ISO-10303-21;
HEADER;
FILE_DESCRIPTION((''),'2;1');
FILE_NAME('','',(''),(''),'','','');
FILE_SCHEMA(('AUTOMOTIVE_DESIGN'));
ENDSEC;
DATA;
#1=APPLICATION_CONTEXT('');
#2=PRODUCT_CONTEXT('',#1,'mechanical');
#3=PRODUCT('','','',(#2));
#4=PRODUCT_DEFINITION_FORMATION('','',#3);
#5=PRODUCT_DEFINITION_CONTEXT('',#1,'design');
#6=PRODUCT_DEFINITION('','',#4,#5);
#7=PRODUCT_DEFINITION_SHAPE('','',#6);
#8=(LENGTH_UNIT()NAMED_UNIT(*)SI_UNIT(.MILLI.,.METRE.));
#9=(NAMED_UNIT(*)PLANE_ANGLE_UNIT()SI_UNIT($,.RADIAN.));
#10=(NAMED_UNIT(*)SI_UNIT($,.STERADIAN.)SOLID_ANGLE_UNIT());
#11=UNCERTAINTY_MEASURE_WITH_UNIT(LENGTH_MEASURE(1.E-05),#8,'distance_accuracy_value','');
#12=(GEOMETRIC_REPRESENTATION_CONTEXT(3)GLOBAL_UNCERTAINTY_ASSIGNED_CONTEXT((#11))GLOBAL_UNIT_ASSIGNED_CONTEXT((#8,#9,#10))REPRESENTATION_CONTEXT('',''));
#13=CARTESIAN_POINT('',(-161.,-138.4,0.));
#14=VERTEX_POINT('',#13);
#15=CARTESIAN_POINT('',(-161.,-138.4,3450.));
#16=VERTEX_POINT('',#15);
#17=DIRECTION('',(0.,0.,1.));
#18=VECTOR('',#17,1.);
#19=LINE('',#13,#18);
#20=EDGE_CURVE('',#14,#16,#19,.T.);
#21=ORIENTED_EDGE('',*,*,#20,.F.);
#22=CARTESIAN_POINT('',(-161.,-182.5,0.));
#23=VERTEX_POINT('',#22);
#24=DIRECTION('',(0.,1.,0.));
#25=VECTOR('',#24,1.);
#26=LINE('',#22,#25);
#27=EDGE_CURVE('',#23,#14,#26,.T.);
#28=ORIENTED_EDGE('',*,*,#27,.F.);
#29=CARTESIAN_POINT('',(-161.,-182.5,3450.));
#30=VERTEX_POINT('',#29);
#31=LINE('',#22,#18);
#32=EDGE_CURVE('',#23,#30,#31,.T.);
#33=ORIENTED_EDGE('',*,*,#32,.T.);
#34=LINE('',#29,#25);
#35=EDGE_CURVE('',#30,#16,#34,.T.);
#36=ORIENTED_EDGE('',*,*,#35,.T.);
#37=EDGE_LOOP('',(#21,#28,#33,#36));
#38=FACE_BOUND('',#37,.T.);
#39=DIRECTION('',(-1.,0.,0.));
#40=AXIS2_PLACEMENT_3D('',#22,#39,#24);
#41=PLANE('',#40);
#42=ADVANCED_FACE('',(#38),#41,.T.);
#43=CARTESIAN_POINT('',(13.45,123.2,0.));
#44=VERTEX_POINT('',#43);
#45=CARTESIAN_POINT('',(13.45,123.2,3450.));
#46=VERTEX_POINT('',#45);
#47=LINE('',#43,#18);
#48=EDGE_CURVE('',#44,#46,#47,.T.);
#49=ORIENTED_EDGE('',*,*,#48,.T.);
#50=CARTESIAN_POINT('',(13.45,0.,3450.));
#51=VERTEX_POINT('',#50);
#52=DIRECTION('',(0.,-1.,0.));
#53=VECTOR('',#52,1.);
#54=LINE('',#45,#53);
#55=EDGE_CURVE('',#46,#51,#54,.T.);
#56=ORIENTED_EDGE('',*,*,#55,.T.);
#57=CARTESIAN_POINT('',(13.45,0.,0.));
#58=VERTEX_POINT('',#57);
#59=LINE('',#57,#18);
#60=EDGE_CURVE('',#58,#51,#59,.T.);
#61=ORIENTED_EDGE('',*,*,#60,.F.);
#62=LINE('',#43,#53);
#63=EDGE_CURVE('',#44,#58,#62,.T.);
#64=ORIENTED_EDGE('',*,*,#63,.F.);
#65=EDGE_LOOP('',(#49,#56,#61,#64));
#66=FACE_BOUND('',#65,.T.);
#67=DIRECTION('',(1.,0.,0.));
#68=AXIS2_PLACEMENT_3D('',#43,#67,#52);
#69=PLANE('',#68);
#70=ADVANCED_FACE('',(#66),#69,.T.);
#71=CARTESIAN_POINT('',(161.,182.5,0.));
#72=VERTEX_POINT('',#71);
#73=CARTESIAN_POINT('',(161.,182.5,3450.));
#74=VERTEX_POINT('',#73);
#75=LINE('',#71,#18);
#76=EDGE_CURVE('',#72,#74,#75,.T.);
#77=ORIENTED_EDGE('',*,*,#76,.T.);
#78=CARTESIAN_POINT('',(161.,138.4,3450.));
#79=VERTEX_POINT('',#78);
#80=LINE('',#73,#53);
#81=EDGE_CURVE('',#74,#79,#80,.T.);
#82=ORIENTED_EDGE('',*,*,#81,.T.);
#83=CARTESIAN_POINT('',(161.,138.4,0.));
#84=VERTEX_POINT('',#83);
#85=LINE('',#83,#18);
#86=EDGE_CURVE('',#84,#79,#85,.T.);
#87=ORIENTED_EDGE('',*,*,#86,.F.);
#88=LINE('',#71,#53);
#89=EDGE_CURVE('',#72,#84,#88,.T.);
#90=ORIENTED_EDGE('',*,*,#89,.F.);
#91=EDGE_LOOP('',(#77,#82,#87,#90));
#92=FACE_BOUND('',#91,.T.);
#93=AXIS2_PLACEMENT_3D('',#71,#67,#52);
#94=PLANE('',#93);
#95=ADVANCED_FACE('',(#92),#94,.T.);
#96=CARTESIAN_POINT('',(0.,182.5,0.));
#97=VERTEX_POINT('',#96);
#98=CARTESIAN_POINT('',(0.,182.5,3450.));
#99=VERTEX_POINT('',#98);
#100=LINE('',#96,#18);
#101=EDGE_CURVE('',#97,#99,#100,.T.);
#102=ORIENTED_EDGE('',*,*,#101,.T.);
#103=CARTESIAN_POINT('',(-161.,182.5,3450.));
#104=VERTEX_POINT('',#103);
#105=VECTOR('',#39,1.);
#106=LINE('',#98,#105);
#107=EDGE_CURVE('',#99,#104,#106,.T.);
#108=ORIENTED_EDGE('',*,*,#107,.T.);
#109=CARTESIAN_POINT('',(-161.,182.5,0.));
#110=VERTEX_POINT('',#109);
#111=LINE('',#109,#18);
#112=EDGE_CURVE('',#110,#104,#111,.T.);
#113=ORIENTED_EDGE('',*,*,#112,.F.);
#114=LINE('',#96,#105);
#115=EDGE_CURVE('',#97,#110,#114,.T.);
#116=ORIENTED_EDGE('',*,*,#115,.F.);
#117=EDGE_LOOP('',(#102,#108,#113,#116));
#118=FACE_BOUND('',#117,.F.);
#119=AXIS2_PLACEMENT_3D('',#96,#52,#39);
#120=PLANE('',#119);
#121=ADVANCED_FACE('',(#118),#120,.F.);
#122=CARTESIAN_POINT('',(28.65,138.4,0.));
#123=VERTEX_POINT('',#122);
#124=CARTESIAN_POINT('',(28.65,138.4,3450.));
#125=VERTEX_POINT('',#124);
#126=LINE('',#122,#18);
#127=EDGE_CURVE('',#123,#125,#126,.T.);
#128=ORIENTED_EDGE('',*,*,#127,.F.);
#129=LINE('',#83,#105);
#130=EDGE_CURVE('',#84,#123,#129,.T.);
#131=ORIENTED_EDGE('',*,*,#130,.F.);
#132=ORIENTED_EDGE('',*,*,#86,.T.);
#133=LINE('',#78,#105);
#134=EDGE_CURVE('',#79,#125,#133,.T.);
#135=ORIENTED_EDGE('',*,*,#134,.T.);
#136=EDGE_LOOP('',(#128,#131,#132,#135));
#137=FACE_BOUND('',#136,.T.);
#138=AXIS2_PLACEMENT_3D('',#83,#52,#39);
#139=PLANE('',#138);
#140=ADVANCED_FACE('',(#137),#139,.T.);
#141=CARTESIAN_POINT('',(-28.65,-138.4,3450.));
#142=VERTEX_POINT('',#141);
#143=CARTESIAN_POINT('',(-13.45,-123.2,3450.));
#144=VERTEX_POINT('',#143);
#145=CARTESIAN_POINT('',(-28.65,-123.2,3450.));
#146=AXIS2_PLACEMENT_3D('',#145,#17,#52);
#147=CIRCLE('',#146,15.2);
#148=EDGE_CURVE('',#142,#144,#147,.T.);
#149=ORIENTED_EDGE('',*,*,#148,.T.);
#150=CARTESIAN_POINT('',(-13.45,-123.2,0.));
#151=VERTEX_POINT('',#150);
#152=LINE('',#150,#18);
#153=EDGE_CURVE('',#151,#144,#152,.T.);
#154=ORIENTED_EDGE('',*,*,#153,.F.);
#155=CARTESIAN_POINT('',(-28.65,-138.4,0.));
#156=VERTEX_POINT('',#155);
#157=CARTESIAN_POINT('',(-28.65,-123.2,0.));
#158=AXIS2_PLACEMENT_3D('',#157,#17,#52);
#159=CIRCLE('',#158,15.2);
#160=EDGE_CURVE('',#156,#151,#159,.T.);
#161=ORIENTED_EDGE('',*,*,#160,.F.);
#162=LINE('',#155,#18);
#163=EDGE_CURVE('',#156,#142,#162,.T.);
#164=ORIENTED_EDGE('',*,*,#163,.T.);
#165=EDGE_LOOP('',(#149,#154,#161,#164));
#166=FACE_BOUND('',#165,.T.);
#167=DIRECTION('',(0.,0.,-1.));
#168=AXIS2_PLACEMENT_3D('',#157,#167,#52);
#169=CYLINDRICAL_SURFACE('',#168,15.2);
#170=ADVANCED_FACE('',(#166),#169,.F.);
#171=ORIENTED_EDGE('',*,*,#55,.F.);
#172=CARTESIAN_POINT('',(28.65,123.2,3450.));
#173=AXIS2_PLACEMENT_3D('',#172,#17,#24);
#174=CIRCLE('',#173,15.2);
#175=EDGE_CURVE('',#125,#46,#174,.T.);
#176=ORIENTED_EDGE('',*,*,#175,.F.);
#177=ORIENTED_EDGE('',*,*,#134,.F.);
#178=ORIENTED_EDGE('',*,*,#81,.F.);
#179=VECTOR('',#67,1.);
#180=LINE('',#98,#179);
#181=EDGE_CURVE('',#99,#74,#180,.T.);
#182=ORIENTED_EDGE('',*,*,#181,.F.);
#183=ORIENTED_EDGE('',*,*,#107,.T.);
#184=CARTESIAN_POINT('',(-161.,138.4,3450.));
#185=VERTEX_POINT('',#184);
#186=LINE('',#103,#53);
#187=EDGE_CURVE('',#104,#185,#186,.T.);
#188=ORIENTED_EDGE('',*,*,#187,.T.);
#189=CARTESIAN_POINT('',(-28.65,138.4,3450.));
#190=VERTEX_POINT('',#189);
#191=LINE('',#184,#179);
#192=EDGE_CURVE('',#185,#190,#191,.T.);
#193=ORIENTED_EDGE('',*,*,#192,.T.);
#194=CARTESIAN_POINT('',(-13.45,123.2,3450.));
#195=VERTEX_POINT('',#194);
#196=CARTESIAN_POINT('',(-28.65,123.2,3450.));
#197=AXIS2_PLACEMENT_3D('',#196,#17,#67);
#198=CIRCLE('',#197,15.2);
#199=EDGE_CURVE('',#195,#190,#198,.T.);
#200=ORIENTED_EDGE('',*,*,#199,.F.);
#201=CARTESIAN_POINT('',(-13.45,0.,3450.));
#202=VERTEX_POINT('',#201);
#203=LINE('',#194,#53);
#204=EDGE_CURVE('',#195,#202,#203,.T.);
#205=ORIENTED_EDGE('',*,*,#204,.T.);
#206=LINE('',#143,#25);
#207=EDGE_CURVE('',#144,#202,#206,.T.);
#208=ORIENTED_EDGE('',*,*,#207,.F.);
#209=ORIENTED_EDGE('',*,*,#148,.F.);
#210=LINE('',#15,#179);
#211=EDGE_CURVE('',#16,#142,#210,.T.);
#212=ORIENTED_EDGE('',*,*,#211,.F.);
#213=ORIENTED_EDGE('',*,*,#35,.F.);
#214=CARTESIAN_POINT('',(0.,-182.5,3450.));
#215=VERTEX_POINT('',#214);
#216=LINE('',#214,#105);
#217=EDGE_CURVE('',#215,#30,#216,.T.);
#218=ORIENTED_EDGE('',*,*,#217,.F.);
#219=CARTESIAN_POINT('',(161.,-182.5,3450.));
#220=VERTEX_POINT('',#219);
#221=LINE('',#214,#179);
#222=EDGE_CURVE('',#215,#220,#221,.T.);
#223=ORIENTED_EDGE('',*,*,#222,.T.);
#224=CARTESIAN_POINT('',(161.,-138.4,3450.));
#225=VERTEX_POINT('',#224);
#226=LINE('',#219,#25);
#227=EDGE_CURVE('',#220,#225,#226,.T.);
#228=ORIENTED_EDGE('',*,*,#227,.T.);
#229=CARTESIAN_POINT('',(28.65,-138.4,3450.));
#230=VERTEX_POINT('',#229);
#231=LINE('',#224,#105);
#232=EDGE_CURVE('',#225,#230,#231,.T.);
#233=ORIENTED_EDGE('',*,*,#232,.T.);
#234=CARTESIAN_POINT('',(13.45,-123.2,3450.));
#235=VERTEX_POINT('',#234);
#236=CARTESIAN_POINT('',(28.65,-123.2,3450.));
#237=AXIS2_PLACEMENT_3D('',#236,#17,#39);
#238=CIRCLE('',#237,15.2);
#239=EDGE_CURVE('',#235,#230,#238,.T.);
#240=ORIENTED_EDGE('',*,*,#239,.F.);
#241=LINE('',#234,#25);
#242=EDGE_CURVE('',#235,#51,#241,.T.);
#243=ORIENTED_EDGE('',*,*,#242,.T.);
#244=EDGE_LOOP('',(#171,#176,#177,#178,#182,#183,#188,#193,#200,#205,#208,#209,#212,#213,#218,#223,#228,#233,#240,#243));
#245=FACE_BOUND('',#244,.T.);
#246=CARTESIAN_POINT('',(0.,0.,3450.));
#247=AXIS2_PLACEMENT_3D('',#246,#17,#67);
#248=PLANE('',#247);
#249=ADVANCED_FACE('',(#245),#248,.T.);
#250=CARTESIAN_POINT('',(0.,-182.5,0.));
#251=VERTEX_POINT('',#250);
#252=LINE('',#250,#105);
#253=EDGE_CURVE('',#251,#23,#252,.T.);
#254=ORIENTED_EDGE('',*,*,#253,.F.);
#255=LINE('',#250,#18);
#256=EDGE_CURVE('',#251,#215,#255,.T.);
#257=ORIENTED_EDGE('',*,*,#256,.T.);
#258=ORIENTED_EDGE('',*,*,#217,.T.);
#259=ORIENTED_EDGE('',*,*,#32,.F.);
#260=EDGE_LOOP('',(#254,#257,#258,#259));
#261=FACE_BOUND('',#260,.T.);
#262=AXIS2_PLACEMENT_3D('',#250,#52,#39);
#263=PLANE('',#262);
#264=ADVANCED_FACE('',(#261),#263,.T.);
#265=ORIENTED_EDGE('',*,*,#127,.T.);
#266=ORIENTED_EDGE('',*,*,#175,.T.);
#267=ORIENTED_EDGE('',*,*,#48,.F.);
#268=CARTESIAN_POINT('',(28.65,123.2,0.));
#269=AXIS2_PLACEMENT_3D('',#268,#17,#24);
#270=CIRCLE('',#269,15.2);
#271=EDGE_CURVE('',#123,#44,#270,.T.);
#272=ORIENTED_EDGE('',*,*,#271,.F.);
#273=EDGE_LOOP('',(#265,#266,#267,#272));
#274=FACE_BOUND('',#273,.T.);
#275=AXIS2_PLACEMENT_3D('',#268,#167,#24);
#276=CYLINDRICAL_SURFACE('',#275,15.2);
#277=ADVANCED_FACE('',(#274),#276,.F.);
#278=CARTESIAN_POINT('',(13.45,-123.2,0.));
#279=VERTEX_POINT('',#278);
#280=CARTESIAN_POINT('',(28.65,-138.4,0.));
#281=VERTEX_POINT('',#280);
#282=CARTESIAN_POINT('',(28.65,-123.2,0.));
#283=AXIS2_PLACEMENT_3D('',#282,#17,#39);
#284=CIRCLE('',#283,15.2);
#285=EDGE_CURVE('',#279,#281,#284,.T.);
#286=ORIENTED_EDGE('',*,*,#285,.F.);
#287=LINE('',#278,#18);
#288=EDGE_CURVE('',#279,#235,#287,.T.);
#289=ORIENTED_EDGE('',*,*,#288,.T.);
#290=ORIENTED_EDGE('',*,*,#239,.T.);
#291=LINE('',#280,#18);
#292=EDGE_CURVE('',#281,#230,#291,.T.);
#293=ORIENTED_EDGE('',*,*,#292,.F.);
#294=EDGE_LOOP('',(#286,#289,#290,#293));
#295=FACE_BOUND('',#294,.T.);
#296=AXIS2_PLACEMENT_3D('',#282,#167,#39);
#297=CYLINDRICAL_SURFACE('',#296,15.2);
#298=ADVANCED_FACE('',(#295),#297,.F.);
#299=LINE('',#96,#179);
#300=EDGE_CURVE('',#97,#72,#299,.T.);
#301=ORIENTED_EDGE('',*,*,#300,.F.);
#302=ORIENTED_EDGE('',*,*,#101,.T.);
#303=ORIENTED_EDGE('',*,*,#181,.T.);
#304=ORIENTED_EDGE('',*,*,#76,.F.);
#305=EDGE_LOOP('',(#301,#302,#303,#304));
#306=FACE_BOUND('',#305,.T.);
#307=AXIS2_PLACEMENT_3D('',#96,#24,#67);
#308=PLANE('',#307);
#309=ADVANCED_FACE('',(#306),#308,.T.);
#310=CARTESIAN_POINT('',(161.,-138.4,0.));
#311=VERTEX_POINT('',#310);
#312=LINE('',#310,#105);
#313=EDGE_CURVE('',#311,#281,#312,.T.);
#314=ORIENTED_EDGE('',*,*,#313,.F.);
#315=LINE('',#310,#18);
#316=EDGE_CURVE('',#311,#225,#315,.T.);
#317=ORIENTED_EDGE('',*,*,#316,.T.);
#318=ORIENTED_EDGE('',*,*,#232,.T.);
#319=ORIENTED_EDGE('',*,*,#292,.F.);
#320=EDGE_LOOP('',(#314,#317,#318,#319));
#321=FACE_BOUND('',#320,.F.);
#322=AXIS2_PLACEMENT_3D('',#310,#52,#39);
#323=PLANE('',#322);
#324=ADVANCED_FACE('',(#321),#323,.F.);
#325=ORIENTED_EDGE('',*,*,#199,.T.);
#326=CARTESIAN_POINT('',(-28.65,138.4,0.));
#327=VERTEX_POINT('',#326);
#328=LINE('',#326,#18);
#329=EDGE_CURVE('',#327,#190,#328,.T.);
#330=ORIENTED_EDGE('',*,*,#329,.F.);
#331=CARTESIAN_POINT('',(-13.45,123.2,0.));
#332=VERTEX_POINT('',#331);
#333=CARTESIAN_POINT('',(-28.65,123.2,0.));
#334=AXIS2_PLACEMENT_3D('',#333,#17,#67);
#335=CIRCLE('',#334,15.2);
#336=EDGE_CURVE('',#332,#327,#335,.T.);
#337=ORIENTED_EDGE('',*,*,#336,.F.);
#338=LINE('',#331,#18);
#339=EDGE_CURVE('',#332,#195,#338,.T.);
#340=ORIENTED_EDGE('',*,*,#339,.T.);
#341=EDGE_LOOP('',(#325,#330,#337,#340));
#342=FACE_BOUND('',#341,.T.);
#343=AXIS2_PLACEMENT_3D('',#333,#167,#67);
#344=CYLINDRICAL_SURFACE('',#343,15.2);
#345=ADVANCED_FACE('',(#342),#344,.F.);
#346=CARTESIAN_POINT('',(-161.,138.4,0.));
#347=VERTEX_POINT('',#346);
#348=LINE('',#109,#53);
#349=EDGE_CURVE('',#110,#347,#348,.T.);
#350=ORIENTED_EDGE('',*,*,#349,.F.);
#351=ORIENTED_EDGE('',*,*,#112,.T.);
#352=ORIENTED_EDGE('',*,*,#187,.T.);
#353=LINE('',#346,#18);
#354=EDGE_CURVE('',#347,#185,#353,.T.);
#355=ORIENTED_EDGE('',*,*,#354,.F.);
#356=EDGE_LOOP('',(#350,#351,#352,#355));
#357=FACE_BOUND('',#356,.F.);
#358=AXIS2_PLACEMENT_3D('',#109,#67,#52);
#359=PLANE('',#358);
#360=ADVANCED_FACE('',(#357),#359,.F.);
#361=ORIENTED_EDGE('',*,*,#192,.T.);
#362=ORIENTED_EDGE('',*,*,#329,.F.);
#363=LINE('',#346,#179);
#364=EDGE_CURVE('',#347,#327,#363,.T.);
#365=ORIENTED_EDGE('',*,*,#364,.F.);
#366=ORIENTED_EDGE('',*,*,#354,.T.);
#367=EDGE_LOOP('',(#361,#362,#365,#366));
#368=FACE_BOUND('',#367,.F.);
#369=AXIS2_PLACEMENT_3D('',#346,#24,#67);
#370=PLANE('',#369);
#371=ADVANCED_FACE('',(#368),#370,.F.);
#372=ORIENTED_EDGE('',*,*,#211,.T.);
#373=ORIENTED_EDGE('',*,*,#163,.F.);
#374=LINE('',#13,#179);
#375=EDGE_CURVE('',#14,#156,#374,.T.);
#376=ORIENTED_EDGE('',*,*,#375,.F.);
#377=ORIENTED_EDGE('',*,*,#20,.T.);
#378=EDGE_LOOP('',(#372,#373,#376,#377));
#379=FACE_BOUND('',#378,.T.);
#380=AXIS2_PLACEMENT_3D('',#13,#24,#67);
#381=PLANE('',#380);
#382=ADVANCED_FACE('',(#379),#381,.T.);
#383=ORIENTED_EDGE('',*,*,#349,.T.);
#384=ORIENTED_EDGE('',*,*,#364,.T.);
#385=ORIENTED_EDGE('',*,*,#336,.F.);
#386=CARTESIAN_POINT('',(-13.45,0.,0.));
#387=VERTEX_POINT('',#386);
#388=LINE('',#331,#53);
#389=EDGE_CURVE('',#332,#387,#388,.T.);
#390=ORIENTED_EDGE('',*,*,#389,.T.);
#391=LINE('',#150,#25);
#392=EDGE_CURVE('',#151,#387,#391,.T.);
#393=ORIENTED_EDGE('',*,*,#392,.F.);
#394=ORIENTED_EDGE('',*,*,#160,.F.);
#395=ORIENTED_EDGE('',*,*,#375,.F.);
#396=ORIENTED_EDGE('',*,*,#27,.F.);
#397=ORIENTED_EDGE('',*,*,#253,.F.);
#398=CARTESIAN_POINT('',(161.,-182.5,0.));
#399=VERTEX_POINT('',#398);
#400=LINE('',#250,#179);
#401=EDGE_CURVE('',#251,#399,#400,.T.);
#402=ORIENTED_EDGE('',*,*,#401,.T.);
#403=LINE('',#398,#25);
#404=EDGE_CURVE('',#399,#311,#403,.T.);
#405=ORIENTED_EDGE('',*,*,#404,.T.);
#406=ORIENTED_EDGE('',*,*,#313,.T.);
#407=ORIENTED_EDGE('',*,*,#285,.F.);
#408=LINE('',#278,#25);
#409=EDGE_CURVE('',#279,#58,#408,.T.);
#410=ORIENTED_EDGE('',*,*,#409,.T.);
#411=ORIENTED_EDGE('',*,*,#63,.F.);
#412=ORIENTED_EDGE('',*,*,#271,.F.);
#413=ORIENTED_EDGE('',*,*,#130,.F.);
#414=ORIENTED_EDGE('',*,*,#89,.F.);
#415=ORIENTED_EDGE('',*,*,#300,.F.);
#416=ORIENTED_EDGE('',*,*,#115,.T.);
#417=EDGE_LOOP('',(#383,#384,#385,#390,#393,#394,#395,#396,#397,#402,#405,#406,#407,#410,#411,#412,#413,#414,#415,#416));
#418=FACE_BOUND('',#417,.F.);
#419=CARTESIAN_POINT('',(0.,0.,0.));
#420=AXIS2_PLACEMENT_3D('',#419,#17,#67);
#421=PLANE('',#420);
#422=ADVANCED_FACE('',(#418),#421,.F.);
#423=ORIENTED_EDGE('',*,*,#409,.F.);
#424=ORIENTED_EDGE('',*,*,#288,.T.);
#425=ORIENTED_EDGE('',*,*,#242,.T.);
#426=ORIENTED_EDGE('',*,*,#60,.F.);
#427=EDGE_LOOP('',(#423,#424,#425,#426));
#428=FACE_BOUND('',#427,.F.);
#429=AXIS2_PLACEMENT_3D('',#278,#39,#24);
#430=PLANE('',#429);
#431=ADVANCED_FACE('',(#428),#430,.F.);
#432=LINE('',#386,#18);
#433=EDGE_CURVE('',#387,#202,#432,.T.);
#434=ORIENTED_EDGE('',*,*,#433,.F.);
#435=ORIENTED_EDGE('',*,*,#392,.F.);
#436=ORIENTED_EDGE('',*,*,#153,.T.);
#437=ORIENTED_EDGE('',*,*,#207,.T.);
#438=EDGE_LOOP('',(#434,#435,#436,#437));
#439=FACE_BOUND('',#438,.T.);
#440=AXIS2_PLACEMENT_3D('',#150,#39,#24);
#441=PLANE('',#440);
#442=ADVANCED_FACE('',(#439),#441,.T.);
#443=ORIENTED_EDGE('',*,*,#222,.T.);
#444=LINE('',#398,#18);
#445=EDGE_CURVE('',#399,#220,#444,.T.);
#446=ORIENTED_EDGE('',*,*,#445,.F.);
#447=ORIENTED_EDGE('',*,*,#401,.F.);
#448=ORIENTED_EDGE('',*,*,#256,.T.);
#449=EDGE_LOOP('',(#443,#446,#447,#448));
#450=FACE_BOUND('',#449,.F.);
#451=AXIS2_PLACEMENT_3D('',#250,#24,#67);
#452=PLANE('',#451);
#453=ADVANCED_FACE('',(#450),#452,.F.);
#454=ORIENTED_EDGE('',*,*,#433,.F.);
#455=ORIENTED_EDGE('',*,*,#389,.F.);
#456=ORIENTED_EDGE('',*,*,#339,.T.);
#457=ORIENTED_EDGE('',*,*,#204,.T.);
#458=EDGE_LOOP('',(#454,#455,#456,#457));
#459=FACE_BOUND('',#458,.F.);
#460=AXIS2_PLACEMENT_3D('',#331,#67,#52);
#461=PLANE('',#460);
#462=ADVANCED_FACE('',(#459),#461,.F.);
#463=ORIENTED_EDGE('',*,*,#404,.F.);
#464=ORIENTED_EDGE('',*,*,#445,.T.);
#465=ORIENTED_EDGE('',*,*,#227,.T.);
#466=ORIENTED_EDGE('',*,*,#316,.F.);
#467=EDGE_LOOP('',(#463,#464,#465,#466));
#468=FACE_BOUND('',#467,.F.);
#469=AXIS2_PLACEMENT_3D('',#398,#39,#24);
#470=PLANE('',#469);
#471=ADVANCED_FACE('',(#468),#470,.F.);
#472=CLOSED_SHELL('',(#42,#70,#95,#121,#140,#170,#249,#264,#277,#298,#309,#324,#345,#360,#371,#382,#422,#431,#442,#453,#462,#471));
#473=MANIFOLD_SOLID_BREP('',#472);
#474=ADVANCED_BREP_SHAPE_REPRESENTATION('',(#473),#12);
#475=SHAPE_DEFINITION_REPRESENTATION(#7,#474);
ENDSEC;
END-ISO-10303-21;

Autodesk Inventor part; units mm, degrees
ref_plane "YZ Plane" through (0, 0, 0) normal (1, 0, 0) x (0, 1, 0)
ref_plane "Start plane" through (0, 0, 0) normal (0, 0, 1) x (1, 0, 0)
ref_plane "End plane" through (0, 0, 3450) normal (0, 0, 1) x (1, 0, 0)
sketch "Sketch" plane through (0, 0, 0) normal (0, 0, 1) x (1, 0, 0)
  line L0 (-161, -182.5) -> (-161, -138.4)
  line L1 (-161, -138.4) -> (-28.65, -138.4)
  line L2 (-13.45, -123.2) -> (-13.45, 0)
  line L3 (-13.45, 0) -> (0, 0) construction
  line L4 (0, 0) -> (0, -182.5) construction
  line L5 (0, -182.5) -> (-161, -182.5)
  line L6 (-60, 0) -> (80, 0) construction
  line L7 (0, -60) -> (0, 80) construction
  line L8 (161, -182.5) -> (161, -138.4)
  line L9 (161, -138.4) -> (28.65, -138.4)
  line L10 (13.45, -123.2) -> (13.45, 0)
  line L11 (13.45, 0) -> (0, 0) construction
  line L12 (0, -182.5) -> (161, -182.5)
  line L13 (-161, 182.5) -> (-161, 138.4)
  line L14 (-161, 138.4) -> (-28.65, 138.4)
  line L15 (-13.45, 123.2) -> (-13.45, 0)
  line L16 (0, 182.5) -> (-161, 182.5)
  line L17 (161, 182.5) -> (161, 138.4)
  line L18 (161, 138.4) -> (28.65, 138.4)
  line L19 (0, 182.5) -> (161, 182.5)
  line L20 (13.45, 123.2) -> (13.45, 0)
  arc A0 (-13.45, 123.2) -> (-28.65, 138.4) centre (-28.65, 123.2) ccw
  arc A1 (28.65, 138.4) -> (13.45, 123.2) centre (28.65, 123.2) ccw
  arc A2 (13.45, -123.2) -> (28.65, -138.4) centre (28.65, -123.2) ccw
  arc A3 (-28.65, -138.4) -> (-13.45, -123.2) centre (-28.65, -123.2) ccw
  line L21 (0, 108) -> (0, -88) construction
  line L22 (-88, 0) -> (108, 0) construction
  point P0 (-13.45, -138.4)
  point P1 (13.45, -138.4)
  point P2 (-13.45, 138.4)
  point P3 (13.45, 138.4)
  dimension "d1" = 182.5
  dimension "d2" = 44.1
  dimension "d3" = 161
  dimension "d4" = 13.45
  dimension "d10" = 15.2
extrude "Body" add sketch "Sketch" along normal up to surface (3450 mm away) from surface at 0
sketch "Sketch4" plane through (0, 0, 0) normal (0, 0, 1) x (1, 0, 0)
  line L0 (0, 0) -> (10, 0)
ref_plane "Work Plane3" through (0, 0, 0) normal (0, -1, 0) x (1, 0, 0)
sketch "Sketch5" plane through (0, 0, 0) normal (0, -1, 0) x (1, 0, 0)
  line L0 (-2, 0) -> (12, 0) projected
  line L1 (-2, 3450) -> (12, 3450) projected
  dimension "d14" = 3450
equation "\"d1\" = 0.5 * G_H"
equation "\"d2\" = G_T1"
equation "\"d3\" = 0.5 * G_W"
equation "\"d4\" = 0.5 * G_T"
equation "\"d10\" = G_IR"
equation "\"d5\" = G_L"
equation "\"G_W\" = 322"
equation "\"G_H\" = 365"
equation "\"G_T\" = 26.9"
equation "\"G_T1\" = 44.1"
equation "\"G_IR\" = 15.2"
equation "\"G_L\" = d14"
equation "\"G_OFFSET_START\" = 0"
equation "\"G_OFFSET_END\" = 0"
properties part number "AS 3679 - 310 UC - 283 - 3450" material "Steel, Mild"
